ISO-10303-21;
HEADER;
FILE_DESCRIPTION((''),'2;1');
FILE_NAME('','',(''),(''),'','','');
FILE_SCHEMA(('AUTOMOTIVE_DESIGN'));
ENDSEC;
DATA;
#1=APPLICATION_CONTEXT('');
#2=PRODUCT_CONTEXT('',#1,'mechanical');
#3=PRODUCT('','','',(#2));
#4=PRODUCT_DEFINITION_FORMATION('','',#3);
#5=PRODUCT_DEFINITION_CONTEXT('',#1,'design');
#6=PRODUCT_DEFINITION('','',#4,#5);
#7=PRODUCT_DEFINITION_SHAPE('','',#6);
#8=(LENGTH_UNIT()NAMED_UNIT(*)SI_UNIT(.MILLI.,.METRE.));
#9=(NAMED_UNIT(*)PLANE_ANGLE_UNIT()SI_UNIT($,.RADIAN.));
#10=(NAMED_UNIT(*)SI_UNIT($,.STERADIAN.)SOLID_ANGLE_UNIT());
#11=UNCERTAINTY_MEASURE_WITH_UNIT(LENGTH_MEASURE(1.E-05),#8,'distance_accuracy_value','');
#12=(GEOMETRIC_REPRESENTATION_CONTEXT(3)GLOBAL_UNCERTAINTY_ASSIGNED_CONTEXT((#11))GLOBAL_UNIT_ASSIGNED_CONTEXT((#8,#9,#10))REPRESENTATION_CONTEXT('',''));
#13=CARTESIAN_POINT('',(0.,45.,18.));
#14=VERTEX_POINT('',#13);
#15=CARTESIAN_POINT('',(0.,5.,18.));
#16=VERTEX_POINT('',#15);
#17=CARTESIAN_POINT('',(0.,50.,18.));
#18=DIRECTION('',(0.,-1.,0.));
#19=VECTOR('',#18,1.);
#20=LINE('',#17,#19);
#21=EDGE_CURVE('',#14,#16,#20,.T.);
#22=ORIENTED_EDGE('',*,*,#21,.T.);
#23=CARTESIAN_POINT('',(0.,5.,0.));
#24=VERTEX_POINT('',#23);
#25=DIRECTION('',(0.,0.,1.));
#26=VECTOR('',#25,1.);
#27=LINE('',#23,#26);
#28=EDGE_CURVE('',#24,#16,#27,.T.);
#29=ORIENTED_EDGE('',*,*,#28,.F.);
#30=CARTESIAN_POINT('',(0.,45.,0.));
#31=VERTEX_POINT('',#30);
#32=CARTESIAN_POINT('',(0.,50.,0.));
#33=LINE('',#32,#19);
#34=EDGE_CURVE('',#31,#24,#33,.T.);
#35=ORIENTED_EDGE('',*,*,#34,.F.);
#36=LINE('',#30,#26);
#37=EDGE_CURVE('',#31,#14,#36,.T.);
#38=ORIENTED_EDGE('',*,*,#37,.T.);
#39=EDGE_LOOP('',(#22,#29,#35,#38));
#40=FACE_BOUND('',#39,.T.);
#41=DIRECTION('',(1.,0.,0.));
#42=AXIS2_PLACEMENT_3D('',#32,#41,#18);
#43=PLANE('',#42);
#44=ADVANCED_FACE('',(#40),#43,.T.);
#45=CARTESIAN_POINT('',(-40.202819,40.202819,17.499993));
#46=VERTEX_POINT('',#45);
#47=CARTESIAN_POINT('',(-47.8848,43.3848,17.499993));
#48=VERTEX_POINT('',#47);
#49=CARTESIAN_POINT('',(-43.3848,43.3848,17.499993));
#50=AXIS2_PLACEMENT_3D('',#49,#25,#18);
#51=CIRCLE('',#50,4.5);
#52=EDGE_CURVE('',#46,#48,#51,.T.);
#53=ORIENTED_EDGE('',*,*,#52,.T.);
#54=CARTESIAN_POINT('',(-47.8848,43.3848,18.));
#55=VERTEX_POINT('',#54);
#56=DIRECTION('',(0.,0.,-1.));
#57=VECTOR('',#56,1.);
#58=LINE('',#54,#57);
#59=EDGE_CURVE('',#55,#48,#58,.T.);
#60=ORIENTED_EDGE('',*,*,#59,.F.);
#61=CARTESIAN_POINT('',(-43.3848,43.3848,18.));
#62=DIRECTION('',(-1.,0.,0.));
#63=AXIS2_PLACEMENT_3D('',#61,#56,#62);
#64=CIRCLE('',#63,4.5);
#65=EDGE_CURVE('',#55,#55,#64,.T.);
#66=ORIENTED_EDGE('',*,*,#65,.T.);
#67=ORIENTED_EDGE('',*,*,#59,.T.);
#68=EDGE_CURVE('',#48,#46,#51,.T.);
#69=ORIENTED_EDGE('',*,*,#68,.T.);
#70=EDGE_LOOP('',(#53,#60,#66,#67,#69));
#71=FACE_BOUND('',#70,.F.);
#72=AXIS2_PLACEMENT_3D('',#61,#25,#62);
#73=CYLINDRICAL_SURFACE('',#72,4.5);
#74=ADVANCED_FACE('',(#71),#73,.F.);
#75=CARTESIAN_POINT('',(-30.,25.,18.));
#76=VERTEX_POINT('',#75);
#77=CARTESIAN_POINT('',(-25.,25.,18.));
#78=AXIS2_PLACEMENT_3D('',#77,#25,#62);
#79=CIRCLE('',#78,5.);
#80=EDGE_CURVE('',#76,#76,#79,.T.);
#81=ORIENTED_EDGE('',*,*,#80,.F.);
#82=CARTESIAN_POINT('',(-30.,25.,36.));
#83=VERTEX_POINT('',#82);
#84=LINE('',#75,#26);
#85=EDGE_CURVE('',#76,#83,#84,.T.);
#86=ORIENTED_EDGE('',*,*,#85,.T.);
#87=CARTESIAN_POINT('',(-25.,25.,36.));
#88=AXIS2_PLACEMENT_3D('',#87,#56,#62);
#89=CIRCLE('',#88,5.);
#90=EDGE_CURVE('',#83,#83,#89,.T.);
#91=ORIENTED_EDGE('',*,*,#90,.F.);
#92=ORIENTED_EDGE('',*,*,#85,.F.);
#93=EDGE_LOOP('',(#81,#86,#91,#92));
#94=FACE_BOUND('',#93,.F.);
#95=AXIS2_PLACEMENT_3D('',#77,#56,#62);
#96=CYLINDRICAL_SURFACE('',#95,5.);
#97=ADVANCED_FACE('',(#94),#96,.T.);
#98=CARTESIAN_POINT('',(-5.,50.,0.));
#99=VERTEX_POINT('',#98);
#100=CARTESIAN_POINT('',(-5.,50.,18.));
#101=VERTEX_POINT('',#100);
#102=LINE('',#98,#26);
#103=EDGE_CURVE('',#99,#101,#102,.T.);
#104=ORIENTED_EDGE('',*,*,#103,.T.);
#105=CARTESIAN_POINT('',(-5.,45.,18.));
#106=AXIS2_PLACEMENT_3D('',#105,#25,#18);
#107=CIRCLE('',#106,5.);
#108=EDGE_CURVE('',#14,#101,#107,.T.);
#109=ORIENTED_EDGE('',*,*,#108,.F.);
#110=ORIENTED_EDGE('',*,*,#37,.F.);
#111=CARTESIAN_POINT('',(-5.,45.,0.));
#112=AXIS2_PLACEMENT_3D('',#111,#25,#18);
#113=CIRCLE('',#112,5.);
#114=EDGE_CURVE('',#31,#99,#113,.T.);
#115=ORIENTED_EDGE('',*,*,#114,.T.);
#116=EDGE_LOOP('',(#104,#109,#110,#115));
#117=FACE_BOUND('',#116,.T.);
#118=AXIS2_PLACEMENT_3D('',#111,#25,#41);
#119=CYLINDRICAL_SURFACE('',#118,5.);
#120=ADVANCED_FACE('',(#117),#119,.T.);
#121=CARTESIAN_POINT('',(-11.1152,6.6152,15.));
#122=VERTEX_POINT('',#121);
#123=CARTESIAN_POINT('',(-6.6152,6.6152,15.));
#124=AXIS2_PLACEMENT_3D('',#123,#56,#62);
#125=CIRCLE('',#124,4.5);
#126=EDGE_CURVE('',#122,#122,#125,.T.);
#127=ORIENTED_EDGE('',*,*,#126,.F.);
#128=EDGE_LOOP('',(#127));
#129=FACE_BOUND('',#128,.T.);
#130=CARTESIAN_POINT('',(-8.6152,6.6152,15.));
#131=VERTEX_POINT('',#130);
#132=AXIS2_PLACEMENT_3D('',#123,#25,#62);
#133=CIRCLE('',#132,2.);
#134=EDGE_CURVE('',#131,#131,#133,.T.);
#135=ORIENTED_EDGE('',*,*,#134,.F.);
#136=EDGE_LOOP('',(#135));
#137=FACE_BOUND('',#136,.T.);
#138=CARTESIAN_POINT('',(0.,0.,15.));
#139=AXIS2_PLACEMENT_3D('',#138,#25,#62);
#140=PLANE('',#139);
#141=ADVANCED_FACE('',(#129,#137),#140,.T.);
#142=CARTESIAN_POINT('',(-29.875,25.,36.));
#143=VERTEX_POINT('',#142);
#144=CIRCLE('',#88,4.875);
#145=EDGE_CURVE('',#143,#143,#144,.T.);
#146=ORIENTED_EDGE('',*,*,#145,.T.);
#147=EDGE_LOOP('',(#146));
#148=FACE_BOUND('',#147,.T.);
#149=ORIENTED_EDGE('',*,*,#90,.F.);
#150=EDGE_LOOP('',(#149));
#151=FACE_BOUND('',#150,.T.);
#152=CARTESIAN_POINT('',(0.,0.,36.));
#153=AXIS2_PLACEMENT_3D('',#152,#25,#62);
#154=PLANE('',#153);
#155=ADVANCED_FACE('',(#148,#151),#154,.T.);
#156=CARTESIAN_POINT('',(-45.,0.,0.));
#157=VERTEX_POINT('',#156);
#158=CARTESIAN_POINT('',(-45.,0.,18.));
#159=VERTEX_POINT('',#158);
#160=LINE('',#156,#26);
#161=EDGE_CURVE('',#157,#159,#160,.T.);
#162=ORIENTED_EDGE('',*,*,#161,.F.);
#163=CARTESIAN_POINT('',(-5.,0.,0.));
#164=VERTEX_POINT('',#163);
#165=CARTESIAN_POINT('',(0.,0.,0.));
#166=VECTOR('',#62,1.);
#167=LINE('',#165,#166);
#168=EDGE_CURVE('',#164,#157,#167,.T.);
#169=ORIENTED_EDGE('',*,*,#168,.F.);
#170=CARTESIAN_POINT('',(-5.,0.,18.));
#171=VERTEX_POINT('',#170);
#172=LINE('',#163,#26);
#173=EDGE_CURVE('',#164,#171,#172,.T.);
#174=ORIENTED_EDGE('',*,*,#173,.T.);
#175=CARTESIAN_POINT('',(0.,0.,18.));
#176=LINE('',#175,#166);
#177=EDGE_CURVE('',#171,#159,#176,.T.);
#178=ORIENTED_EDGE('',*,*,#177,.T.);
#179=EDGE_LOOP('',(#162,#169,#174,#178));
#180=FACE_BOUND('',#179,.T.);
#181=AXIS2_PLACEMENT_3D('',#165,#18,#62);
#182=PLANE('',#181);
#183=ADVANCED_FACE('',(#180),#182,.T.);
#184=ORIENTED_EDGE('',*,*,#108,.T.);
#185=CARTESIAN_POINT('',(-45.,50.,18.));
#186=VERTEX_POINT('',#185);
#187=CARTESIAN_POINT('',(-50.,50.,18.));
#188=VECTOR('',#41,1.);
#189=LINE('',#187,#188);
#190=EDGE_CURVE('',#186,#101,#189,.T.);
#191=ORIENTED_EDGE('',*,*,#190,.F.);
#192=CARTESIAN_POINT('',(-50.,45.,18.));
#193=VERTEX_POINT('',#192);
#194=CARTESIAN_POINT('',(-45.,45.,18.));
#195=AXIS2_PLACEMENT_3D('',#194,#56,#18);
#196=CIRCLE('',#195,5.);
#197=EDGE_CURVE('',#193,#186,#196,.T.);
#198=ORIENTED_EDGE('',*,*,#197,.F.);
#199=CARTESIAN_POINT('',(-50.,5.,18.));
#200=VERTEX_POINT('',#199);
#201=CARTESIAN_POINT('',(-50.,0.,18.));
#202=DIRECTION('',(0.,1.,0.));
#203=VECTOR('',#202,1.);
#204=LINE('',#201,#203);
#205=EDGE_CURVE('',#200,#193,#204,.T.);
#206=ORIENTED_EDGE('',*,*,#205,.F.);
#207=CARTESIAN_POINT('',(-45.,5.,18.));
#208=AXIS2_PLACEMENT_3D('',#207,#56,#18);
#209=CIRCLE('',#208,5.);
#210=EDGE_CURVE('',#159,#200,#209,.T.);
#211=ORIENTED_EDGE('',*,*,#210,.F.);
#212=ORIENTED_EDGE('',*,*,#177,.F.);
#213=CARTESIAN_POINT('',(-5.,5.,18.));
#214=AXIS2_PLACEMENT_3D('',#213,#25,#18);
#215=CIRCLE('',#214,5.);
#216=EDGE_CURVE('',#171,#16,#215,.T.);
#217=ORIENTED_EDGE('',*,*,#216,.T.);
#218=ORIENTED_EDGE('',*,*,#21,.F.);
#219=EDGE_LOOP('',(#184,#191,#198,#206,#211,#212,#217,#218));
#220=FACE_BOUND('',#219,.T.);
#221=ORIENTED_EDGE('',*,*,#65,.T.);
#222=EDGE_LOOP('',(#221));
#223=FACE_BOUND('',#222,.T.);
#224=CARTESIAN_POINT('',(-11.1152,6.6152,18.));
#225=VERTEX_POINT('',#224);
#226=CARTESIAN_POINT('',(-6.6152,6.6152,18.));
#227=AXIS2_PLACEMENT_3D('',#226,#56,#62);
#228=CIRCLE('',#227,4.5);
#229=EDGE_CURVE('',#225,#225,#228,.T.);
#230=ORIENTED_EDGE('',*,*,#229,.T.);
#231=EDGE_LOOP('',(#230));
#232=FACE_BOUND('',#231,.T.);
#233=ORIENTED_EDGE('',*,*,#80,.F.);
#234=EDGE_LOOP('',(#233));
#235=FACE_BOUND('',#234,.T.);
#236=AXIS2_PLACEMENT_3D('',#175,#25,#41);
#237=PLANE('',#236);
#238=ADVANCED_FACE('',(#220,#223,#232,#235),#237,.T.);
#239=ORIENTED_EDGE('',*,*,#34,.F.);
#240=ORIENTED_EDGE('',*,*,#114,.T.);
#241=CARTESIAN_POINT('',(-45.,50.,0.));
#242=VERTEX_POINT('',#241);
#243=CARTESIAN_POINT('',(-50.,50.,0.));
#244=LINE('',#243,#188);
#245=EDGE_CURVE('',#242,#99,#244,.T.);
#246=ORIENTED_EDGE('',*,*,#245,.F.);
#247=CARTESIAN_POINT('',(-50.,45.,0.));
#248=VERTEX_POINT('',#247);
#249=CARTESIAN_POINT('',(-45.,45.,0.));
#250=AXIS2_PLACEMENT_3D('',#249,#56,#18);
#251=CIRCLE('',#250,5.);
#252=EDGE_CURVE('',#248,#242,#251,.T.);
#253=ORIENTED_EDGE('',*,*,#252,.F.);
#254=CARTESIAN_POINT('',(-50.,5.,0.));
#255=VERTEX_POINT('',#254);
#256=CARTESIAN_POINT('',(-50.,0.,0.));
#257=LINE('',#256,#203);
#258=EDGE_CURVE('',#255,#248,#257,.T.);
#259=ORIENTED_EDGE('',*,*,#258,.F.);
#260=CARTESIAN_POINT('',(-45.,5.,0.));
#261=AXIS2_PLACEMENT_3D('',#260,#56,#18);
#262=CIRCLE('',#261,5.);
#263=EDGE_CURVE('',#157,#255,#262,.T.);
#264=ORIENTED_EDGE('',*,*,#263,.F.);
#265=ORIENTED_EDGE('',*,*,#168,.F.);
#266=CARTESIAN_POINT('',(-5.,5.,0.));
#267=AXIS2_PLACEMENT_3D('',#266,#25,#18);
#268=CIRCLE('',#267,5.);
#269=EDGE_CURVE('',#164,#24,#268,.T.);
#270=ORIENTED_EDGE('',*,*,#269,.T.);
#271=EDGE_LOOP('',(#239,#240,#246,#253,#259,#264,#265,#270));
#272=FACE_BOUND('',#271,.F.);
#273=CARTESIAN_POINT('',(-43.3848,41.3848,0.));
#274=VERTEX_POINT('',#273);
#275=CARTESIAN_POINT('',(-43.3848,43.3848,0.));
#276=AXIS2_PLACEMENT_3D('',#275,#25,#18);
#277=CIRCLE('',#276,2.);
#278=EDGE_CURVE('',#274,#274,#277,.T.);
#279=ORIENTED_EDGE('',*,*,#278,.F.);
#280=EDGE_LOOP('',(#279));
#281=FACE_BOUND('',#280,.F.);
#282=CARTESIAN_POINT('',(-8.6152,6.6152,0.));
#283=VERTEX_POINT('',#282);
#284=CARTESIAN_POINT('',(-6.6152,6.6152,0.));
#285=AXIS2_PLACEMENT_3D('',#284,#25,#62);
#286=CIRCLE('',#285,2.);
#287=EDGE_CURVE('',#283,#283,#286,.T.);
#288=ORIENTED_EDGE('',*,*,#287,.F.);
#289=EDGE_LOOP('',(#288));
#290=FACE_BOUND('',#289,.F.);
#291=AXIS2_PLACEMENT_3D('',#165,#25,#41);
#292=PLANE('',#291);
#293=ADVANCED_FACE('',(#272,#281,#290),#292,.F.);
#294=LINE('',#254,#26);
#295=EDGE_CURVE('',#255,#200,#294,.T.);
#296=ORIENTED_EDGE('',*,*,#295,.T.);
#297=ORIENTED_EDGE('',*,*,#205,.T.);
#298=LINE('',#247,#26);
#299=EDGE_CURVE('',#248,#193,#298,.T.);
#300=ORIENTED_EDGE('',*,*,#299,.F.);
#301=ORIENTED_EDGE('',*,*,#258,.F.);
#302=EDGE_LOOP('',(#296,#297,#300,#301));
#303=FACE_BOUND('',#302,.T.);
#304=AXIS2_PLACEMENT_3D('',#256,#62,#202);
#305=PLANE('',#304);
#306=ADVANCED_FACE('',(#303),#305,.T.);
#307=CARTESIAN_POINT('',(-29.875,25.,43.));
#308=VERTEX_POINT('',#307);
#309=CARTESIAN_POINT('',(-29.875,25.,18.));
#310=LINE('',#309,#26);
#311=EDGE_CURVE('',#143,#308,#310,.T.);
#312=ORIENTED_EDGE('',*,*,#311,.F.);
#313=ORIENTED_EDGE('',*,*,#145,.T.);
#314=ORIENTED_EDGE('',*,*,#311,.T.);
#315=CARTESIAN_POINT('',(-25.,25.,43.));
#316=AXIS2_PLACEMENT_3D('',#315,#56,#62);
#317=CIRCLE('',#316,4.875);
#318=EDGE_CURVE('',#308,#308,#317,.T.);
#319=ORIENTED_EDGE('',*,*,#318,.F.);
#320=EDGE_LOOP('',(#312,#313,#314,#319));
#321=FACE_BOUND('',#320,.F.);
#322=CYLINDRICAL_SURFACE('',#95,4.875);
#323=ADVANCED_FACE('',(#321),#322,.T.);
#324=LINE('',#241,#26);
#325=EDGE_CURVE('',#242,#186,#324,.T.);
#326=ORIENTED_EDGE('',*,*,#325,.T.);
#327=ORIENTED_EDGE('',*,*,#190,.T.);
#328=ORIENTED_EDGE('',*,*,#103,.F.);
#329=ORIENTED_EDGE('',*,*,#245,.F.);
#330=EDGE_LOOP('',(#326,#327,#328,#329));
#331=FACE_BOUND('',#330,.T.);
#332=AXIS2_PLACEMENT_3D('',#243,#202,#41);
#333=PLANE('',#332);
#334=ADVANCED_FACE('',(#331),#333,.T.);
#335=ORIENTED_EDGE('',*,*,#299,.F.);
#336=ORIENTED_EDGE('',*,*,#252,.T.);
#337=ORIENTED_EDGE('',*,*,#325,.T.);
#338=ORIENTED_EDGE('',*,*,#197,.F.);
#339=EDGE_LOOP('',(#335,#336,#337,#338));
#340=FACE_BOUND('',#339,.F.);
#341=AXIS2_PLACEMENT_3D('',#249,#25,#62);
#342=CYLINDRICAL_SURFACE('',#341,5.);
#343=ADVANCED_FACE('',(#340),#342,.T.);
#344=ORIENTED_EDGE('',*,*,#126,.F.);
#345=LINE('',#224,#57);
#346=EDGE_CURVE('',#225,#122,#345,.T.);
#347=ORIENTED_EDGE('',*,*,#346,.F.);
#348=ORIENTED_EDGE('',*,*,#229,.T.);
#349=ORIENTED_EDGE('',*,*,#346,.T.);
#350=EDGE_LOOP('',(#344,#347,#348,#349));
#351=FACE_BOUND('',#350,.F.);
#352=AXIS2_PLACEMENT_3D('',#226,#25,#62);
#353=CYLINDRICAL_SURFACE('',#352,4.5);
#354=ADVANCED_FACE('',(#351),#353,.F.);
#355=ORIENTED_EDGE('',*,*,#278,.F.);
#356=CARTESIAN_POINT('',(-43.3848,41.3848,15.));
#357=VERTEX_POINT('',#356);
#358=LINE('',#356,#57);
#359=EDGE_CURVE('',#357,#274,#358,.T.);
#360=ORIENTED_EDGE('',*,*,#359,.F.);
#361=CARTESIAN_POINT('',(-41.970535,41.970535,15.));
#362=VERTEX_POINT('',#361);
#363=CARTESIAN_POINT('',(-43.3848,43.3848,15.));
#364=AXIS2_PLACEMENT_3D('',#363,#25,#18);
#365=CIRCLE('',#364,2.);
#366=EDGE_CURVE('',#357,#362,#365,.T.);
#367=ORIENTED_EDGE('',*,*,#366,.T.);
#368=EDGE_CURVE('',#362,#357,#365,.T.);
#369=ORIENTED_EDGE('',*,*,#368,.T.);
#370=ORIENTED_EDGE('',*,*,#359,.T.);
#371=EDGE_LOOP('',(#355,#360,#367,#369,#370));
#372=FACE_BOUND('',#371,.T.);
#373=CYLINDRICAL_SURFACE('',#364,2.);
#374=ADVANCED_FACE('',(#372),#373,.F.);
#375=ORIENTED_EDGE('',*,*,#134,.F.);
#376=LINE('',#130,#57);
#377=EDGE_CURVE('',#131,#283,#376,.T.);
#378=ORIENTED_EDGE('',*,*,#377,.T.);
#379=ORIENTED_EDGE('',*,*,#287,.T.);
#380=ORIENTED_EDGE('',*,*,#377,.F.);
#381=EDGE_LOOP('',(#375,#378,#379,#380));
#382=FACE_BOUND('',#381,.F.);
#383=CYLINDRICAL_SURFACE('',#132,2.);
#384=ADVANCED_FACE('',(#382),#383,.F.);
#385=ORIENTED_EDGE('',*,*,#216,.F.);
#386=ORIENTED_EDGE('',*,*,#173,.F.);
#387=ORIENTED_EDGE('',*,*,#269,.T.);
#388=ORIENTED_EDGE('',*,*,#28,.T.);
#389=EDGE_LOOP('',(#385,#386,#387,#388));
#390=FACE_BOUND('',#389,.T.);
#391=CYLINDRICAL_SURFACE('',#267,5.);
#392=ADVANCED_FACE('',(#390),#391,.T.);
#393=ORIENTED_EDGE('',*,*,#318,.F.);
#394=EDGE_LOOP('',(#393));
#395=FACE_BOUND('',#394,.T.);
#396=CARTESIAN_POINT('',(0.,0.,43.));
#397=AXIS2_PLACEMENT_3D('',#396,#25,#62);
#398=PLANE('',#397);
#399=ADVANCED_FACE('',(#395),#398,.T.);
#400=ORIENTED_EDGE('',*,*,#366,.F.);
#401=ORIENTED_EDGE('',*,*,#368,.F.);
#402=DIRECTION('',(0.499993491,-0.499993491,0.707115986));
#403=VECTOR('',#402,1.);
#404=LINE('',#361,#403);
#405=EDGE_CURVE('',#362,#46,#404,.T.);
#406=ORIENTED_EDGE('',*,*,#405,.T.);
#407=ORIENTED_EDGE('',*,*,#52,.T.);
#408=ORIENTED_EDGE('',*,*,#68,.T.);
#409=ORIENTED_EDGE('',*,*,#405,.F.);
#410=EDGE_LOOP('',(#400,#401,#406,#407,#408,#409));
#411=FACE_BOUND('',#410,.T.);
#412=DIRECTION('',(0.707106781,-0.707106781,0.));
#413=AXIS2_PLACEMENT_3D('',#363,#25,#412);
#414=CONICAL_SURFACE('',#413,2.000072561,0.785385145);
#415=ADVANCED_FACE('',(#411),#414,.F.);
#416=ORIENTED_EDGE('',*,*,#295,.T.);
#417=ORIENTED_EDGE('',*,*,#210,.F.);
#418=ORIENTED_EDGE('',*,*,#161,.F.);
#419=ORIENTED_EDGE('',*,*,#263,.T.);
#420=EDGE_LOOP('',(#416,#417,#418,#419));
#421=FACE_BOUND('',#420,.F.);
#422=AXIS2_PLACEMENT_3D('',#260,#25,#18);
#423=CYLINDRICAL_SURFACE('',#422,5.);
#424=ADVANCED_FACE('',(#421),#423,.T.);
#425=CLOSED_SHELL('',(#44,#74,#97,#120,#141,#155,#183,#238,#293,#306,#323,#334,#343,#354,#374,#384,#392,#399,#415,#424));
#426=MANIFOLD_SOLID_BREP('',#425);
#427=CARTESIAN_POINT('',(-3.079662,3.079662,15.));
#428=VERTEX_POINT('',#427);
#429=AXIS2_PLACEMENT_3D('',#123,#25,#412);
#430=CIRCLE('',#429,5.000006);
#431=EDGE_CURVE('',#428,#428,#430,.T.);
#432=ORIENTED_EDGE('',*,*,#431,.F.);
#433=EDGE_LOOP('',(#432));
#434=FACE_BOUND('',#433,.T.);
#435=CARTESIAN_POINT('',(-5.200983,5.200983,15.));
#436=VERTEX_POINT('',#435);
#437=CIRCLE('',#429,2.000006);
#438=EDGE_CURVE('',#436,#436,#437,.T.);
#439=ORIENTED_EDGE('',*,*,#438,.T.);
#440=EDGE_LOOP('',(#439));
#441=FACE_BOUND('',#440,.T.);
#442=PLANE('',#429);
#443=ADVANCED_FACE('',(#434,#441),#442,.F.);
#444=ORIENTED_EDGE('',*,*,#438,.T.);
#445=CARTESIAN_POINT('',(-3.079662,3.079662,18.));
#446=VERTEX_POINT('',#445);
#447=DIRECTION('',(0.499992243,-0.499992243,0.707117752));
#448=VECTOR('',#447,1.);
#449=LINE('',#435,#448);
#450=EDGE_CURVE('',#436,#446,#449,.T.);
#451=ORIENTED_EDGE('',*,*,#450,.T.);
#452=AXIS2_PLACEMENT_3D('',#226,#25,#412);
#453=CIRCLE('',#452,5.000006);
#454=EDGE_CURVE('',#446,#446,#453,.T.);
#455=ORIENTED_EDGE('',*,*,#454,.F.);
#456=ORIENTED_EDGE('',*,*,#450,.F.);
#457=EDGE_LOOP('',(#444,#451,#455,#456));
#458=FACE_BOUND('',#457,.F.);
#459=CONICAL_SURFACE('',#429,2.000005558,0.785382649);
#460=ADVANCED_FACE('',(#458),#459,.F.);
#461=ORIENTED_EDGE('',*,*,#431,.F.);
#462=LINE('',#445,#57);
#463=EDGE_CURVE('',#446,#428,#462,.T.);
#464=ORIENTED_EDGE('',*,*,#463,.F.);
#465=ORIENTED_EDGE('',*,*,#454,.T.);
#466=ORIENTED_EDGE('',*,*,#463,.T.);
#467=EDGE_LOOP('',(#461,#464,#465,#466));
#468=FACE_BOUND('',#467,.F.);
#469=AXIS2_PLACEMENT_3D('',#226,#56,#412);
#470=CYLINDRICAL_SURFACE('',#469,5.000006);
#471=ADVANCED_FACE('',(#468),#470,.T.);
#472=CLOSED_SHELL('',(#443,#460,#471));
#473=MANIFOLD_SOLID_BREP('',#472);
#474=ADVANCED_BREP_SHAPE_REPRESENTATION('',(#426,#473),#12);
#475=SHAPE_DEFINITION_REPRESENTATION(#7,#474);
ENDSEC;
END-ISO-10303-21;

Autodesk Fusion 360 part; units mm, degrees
sketch "Sketch1" plane through (0, 0, 0) normal (0, 0, 1) x (1, 0, 0)
  line L0 (0, 0) -> (-50, 0)
  line L1 (-50, 0) -> (-50, 50)
  line L2 (-50, 50) -> (0, 50)
  line L3 (0, 50) -> (0, 0)
  dimension "d1" = 50
  dimension "d2" = 50
extrude "Extrude1" add sketch "Sketch1" along normal blind 18 makes body 1
sketch "Sketch2" plane through (0, 0, 18) normal (0, 0, 1) x (-1, 0, 0)
  line L0 (0, -50) -> (50, -50)
  line L1 (50, -50) -> (50, 0)
  line L2 (50, 0) -> (0, 0)
  line L3 (0, 0) -> (0, -50)
  line L4 (50, -50) -> (0, 0)
  line L5 (0, -50) -> (50, 0)
  circle A0 centre (25, -25) radius 5
  circle A1 centre (25, -25) radius 4.875
  dimension "d10" = 10
  dimension "d11" = 9.75
extrude "Extrude2" add sketch "Sketch2" along normal blind 25 contours L4 L5 A1 | L4 L5 A1 | L4 L5 A1 | L4 L5 A1 bodies 1
extrude "Extrude3" add sketch "Sketch2" along normal blind 18 contours L4 L5 A0 A1 | L4 L5 A0 A1 | L4 L5 A0 A1 | L4 L5 A0 A1 bodies 1
fillet "Fillet1" radius 5 4 edges at (0, 50, 9) (-50, 50, 9) (-50, 0, 9) (0, 0, 9) on bodies 1
sketch "Sketch4" plane through (0, 0, 18) normal (0, 0, 1) x (-1, 0, 0)
  circle A0 centre (25, -25) radius 5
  arc A1 (5, 0) -> (0, -5) centre (5, -5) ccw
  line L0 (0, -5) -> (0, -45)
  arc A2 (0, -45) -> (5, -50) centre (5, -45) ccw
  line L1 (5, -50) -> (45, -50)
  arc A3 (45, -50) -> (50, -45) centre (45, -45) ccw
  line L2 (50, -45) -> (50, -5)
  arc A4 (50, -5) -> (45, 0) centre (45, -5) ccw
  line L3 (45, 0) -> (5, 0)
  line L4 (25, -25) -> (6.6152, -6.6152)
  circle A5 centre (6.6152, -6.6152) radius 4.5
  dimension "d25" = 26
  dimension "d26" = 9
extrude "Extrude6" cut sketch "Sketch4" against normal blind 3 contours A5 bodies 1
sketch "Sketch5" plane through (0, 0, 15) normal (0, 0, 1) x (-1, 0, 0)
  circle A0 centre (6.6152, -6.6152) radius 4.5
  circle A1 centre (6.6152, -6.6152) radius 2
  dimension "d29" = 4
extrude "Extrude7" cut sketch "Sketch5" against normal blind 200 contours A1 bodies 1
ref_plane "WorkPlane2" through (-25, 25, 18) normal (-0.7071, -0.7071, 0) x (0.7071, -0.7071, 0)
sketch "Sketch7" plane through (0, 0, 0) normal (-0.7071, -0.7071, 0) x (0.7071, -0.7071, 0)
  line L0 (-7.3553, 15) -> (-11.3553, 15)
  line L1 (-7.3553, 15) -> (-4.1326, 18.2228)
  line L2 (-7.3553, 15) -> (-2.7976, 15) construction
  line L3 (-11.3553, 15) -> (-15.0845, 18.7292)
  line L4 (-70.7107, 18) -> (0, 18)
  line L5 (-4.3553, 18) -> (-4.3553, 15)
  line L6 (-7.3553, 15) -> (-4.3553, 15)
  line L7 (-14.3553, 18) -> (-14.3553, 15)
  line L8 (-14.3553, 15) -> (-11.3553, 15)
  line L9 (-9.3553, 15) -> (-9.3553, 18)
  dimension "d34" = 45
  dimension "d35" = 90
revolve "Revolve1" add sketch "Sketch7" angle 360 about axis through (-6.6152, 6.6152, 15) along (0, 0, 1) separate body contours L1 L5 L6 makes body 2
ref_plane "WorkPlane3" through (-25, 25, 18) normal (-0.7071, 0.7071, 0) x (-0.7071, -0.7071, 0)
mirror "Mirror1" about plane through (-25, 25, 18) normal (-0.7071, 0.7071, 0) of "Extrude7", "Revolve1"
sketch "Sketch8" plane through (0, 0, 18) normal (0, 0, 1) x (-1, 0, 0)
  line L0 (25, -25) -> (43.3848, -43.3848)
  circle A0 centre (43.3848, -43.3848) radius 4.5
  dimension "d42" = 26
  dimension "d43" = 9
extrude "Extrude8" cut sketch "Sketch8" against normal blind 3 bodies 1
ref_plane "WorkPlane4" through (-25, 25, 18) normal (-0.7071, -0.7071, 0) x (0.7071, -0.7071, 0)
sketch "Sketch9" plane through (0, 0, 0) normal (-0.7071, -0.7071, 0) x (0.7071, -0.7071, 0)
  line L0 (-61.3553, 18) -> (-61.3553, 15)
  line L1 (-61.3553, 15) -> (-59.3553, 15)
  line L2 (-61.3553, 15) -> (-63.3553, 15)
  line L3 (-59.3553, 15) -> (-55.5146, 18.8408)
  line L4 (-59.3553, 15) -> (-53.9237, 15) construction
  line L5 (-63.3553, 15) -> (-66.7785, 18.4232)
  line L6 (-56.8553, 18) -> (-65.8553, 18)
  line L7 (-70.7107, 18) -> (0, 18)
  line L8 (-56.3553, 18) -> (-56.3553, 15)
  line L9 (-56.3553, 15) -> (-59.3553, 15)
  line L10 (-66.3553, 18) -> (-66.3553, 15)
  line L11 (-66.3553, 15) -> (-63.3553, 15)
  point P0 (-61.3553, 18)
  dimension "d47" = 3
  dimension "d48" = 2
  dimension "d49" = 2
  dimension "d50" = 45
  dimension "d51" = 90
revolve "Revolve2" add sketch "Sketch9" angle 360 about axis through (-43.3848, 43.3848, 18) along (0, 0, -1) contours L3 L8 L9 bodies 1
